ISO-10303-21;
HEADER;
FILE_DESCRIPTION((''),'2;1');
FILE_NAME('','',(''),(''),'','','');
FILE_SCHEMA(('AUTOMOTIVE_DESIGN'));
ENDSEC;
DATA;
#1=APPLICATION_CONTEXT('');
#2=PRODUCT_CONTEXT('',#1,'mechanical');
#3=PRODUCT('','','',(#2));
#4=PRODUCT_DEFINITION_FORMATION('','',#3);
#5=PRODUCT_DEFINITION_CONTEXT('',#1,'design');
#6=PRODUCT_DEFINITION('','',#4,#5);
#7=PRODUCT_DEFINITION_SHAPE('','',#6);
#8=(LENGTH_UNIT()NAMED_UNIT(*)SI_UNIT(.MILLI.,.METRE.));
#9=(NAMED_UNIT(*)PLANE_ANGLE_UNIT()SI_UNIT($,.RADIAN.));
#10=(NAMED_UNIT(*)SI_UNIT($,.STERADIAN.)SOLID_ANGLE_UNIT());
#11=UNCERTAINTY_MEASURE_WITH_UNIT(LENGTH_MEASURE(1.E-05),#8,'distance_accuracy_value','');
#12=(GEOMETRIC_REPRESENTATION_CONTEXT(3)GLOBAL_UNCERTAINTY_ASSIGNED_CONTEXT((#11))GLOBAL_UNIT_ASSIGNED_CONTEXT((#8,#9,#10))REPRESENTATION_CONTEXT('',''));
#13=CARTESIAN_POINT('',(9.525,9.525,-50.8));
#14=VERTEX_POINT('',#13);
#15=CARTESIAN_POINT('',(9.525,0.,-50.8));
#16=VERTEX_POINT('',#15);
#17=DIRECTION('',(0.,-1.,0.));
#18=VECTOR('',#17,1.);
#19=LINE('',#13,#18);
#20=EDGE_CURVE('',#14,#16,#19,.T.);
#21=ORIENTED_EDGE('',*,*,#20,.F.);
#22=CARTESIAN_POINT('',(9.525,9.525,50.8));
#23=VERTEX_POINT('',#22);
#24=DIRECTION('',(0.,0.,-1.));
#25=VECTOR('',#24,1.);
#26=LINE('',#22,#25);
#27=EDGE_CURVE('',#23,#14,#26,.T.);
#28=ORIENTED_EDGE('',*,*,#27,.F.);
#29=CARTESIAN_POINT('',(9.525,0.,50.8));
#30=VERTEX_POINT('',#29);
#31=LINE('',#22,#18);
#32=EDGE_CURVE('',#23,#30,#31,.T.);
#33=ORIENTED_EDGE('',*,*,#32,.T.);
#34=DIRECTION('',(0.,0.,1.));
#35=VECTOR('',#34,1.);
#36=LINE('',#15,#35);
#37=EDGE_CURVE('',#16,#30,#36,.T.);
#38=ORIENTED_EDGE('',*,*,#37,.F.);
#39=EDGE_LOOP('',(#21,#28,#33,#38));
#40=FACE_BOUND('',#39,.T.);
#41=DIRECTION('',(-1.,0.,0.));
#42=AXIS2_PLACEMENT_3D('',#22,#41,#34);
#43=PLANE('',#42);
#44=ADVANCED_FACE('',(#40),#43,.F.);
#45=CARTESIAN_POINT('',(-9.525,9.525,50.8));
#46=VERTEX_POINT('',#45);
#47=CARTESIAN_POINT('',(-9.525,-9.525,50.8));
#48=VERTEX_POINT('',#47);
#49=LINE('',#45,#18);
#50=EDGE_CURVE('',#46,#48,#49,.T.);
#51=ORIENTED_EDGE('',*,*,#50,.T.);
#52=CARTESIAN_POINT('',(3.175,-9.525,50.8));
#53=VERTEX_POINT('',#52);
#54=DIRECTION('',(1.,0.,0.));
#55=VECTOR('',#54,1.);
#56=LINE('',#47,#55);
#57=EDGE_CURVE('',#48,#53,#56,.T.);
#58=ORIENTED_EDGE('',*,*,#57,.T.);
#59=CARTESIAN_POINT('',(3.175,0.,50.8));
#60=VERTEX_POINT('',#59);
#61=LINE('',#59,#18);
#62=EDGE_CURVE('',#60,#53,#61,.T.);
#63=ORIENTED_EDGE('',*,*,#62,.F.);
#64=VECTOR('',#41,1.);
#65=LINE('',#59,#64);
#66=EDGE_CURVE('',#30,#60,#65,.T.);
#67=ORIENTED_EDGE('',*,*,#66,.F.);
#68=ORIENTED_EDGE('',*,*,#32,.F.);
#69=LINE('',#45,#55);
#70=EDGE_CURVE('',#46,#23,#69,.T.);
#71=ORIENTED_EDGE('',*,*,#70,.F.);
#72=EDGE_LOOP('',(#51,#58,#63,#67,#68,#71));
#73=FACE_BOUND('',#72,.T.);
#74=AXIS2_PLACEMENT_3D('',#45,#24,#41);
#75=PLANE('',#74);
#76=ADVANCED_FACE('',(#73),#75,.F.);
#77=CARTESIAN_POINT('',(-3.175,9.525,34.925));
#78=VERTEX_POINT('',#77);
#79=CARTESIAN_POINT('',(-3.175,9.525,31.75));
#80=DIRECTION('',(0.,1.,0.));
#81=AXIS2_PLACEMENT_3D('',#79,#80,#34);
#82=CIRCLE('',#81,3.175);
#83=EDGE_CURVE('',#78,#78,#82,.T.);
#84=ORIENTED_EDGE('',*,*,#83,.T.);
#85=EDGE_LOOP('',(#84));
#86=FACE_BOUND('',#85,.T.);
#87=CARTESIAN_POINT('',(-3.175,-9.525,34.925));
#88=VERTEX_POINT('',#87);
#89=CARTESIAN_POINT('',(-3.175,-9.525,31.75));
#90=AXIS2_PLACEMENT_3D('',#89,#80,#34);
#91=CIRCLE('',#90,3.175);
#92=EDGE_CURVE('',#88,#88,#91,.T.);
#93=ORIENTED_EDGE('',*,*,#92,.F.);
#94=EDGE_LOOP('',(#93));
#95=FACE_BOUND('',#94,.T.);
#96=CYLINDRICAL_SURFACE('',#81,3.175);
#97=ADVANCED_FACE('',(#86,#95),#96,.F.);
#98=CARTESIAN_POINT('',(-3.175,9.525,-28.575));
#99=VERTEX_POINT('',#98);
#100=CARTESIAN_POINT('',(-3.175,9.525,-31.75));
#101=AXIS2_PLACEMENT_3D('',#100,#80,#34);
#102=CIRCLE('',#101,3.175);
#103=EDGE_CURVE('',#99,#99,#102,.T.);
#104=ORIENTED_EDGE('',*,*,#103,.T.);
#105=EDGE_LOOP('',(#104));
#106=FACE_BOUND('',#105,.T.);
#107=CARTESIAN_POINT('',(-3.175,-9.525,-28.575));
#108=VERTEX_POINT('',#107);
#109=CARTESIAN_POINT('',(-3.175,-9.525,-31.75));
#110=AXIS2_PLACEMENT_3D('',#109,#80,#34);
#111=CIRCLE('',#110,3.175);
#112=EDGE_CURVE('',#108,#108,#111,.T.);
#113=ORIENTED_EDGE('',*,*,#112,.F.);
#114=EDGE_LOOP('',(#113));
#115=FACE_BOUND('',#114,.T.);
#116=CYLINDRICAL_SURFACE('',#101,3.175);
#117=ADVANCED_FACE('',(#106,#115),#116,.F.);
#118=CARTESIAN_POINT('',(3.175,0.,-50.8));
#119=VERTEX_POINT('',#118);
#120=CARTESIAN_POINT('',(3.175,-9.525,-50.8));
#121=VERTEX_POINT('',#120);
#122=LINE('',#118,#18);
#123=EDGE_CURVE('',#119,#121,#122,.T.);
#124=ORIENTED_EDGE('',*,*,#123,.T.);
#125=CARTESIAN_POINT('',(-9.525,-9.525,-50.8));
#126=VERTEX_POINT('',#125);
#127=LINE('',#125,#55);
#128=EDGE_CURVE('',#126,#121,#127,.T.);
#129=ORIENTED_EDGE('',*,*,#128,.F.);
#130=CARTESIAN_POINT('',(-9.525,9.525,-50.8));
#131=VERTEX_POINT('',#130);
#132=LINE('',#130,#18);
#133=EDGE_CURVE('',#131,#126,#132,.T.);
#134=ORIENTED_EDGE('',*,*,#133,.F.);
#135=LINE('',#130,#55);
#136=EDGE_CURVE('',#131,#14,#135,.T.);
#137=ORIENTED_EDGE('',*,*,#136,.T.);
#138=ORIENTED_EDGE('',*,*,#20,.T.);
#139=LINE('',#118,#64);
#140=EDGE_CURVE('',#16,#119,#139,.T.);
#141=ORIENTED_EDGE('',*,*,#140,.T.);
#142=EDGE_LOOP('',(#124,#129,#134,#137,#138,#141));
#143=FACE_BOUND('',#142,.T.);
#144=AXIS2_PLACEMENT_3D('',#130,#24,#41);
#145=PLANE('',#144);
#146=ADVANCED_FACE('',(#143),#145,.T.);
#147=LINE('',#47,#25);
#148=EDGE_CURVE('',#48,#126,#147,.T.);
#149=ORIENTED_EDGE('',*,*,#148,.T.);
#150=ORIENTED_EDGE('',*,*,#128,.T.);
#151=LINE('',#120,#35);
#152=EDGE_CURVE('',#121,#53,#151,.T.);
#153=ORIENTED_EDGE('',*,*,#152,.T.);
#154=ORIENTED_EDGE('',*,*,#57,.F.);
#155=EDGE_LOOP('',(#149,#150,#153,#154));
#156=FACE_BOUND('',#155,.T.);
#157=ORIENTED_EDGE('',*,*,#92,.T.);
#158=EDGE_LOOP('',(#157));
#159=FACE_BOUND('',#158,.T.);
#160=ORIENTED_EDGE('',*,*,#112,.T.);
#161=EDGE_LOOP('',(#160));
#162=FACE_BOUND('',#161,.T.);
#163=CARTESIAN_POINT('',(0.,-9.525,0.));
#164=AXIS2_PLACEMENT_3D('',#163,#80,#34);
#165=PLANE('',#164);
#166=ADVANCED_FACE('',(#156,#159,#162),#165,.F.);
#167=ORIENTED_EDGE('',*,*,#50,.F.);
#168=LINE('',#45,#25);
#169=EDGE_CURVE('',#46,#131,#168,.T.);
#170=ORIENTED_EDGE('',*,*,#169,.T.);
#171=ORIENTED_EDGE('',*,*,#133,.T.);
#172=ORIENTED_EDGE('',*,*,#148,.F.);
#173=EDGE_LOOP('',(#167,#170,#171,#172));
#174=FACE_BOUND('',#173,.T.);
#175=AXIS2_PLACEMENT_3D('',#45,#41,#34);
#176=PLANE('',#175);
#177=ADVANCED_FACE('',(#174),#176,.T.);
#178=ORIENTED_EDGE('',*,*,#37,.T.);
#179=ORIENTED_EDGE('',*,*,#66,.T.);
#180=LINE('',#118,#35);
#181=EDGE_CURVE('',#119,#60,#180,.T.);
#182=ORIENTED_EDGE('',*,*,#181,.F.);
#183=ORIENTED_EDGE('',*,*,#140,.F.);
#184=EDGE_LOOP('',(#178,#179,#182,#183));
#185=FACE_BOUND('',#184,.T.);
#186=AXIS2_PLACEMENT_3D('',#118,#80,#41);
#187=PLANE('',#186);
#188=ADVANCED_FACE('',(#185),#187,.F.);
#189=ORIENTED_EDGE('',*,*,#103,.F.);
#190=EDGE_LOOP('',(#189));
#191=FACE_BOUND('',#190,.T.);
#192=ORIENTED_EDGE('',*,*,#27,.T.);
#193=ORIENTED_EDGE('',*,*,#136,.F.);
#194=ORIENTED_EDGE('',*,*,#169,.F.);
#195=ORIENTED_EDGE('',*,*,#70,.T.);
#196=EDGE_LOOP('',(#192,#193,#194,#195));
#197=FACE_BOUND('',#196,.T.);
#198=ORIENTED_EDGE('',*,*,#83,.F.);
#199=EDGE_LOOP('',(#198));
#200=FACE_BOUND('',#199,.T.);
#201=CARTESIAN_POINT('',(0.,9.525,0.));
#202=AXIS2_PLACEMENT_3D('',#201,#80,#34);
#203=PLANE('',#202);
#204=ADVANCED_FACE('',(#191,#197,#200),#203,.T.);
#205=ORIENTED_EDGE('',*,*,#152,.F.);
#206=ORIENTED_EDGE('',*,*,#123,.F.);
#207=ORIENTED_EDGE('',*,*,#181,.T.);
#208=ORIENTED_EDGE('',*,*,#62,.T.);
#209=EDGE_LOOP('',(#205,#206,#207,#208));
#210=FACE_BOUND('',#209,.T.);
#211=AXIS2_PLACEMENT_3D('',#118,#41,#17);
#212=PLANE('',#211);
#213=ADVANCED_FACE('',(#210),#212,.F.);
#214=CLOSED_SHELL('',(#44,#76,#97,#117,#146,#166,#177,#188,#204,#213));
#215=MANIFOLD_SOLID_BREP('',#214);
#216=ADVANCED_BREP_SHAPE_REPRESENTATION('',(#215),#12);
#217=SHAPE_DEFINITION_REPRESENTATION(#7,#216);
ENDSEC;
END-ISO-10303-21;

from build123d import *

# Parameters (mm, degrees)
SKETCH1_W                       = 19.05
SKETCH1_H                       = 101.6
BOSS_EXTRUDE1_DEPTH             = 9.525
SKETCH2_W                       = 6.35
SKETCH2_H                       = 9.525
CUT_EXTRUDE1_DEPTH              = 103.489078686
F_1_4_0_25_DIAMETER_HOLE1_D     = 6.35
F_1_4_0_25_DIAMETER_HOLE1_DEPTH = 25.4
F_1_4_0_25_DIAMETER_HOLE1_TIP   = 1.907732465


with BuildPart() as part:
    # Sketch1 → Boss-Extrude1 (new, symmetric)
    with BuildSketch(Plane(origin=(0, 0, 0), x_dir=(1, 0, 0), z_dir=(0, 1, 0))):
        Rectangle(SKETCH1_W, SKETCH1_H)
    extrude(amount=BOSS_EXTRUDE1_DEPTH, both=True)

    # Sketch2 → Cut-Extrude1 (cut, through all)
    with BuildSketch(Plane.XY.offset(50.8)):
        with Locations((6.35, -4.7625)):
            Rectangle(SKETCH2_W, SKETCH2_H)
    extrude(amount=-CUT_EXTRUDE1_DEPTH, mode=Mode.SUBTRACT)

    # 1/4 (0.25) Diameter Hole1
    with Locations(Plane(origin=(0, 9.525, 0), x_dir=(1, 0, 0), z_dir=(0, 1, 0))):
        with Locations((-3.175, 31.75), (-3.175, -31.75)):
            Hole(F_1_4_0_25_DIAMETER_HOLE1_D / 2, depth=F_1_4_0_25_DIAMETER_HOLE1_DEPTH)
            with Locations((0, 0, -(F_1_4_0_25_DIAMETER_HOLE1_DEPTH + F_1_4_0_25_DIAMETER_HOLE1_TIP / 2))):  # 118° drill point
                Cone(0, F_1_4_0_25_DIAMETER_HOLE1_D / 2, F_1_4_0_25_DIAMETER_HOLE1_TIP, mode=Mode.SUBTRACT)


solid = part.part
